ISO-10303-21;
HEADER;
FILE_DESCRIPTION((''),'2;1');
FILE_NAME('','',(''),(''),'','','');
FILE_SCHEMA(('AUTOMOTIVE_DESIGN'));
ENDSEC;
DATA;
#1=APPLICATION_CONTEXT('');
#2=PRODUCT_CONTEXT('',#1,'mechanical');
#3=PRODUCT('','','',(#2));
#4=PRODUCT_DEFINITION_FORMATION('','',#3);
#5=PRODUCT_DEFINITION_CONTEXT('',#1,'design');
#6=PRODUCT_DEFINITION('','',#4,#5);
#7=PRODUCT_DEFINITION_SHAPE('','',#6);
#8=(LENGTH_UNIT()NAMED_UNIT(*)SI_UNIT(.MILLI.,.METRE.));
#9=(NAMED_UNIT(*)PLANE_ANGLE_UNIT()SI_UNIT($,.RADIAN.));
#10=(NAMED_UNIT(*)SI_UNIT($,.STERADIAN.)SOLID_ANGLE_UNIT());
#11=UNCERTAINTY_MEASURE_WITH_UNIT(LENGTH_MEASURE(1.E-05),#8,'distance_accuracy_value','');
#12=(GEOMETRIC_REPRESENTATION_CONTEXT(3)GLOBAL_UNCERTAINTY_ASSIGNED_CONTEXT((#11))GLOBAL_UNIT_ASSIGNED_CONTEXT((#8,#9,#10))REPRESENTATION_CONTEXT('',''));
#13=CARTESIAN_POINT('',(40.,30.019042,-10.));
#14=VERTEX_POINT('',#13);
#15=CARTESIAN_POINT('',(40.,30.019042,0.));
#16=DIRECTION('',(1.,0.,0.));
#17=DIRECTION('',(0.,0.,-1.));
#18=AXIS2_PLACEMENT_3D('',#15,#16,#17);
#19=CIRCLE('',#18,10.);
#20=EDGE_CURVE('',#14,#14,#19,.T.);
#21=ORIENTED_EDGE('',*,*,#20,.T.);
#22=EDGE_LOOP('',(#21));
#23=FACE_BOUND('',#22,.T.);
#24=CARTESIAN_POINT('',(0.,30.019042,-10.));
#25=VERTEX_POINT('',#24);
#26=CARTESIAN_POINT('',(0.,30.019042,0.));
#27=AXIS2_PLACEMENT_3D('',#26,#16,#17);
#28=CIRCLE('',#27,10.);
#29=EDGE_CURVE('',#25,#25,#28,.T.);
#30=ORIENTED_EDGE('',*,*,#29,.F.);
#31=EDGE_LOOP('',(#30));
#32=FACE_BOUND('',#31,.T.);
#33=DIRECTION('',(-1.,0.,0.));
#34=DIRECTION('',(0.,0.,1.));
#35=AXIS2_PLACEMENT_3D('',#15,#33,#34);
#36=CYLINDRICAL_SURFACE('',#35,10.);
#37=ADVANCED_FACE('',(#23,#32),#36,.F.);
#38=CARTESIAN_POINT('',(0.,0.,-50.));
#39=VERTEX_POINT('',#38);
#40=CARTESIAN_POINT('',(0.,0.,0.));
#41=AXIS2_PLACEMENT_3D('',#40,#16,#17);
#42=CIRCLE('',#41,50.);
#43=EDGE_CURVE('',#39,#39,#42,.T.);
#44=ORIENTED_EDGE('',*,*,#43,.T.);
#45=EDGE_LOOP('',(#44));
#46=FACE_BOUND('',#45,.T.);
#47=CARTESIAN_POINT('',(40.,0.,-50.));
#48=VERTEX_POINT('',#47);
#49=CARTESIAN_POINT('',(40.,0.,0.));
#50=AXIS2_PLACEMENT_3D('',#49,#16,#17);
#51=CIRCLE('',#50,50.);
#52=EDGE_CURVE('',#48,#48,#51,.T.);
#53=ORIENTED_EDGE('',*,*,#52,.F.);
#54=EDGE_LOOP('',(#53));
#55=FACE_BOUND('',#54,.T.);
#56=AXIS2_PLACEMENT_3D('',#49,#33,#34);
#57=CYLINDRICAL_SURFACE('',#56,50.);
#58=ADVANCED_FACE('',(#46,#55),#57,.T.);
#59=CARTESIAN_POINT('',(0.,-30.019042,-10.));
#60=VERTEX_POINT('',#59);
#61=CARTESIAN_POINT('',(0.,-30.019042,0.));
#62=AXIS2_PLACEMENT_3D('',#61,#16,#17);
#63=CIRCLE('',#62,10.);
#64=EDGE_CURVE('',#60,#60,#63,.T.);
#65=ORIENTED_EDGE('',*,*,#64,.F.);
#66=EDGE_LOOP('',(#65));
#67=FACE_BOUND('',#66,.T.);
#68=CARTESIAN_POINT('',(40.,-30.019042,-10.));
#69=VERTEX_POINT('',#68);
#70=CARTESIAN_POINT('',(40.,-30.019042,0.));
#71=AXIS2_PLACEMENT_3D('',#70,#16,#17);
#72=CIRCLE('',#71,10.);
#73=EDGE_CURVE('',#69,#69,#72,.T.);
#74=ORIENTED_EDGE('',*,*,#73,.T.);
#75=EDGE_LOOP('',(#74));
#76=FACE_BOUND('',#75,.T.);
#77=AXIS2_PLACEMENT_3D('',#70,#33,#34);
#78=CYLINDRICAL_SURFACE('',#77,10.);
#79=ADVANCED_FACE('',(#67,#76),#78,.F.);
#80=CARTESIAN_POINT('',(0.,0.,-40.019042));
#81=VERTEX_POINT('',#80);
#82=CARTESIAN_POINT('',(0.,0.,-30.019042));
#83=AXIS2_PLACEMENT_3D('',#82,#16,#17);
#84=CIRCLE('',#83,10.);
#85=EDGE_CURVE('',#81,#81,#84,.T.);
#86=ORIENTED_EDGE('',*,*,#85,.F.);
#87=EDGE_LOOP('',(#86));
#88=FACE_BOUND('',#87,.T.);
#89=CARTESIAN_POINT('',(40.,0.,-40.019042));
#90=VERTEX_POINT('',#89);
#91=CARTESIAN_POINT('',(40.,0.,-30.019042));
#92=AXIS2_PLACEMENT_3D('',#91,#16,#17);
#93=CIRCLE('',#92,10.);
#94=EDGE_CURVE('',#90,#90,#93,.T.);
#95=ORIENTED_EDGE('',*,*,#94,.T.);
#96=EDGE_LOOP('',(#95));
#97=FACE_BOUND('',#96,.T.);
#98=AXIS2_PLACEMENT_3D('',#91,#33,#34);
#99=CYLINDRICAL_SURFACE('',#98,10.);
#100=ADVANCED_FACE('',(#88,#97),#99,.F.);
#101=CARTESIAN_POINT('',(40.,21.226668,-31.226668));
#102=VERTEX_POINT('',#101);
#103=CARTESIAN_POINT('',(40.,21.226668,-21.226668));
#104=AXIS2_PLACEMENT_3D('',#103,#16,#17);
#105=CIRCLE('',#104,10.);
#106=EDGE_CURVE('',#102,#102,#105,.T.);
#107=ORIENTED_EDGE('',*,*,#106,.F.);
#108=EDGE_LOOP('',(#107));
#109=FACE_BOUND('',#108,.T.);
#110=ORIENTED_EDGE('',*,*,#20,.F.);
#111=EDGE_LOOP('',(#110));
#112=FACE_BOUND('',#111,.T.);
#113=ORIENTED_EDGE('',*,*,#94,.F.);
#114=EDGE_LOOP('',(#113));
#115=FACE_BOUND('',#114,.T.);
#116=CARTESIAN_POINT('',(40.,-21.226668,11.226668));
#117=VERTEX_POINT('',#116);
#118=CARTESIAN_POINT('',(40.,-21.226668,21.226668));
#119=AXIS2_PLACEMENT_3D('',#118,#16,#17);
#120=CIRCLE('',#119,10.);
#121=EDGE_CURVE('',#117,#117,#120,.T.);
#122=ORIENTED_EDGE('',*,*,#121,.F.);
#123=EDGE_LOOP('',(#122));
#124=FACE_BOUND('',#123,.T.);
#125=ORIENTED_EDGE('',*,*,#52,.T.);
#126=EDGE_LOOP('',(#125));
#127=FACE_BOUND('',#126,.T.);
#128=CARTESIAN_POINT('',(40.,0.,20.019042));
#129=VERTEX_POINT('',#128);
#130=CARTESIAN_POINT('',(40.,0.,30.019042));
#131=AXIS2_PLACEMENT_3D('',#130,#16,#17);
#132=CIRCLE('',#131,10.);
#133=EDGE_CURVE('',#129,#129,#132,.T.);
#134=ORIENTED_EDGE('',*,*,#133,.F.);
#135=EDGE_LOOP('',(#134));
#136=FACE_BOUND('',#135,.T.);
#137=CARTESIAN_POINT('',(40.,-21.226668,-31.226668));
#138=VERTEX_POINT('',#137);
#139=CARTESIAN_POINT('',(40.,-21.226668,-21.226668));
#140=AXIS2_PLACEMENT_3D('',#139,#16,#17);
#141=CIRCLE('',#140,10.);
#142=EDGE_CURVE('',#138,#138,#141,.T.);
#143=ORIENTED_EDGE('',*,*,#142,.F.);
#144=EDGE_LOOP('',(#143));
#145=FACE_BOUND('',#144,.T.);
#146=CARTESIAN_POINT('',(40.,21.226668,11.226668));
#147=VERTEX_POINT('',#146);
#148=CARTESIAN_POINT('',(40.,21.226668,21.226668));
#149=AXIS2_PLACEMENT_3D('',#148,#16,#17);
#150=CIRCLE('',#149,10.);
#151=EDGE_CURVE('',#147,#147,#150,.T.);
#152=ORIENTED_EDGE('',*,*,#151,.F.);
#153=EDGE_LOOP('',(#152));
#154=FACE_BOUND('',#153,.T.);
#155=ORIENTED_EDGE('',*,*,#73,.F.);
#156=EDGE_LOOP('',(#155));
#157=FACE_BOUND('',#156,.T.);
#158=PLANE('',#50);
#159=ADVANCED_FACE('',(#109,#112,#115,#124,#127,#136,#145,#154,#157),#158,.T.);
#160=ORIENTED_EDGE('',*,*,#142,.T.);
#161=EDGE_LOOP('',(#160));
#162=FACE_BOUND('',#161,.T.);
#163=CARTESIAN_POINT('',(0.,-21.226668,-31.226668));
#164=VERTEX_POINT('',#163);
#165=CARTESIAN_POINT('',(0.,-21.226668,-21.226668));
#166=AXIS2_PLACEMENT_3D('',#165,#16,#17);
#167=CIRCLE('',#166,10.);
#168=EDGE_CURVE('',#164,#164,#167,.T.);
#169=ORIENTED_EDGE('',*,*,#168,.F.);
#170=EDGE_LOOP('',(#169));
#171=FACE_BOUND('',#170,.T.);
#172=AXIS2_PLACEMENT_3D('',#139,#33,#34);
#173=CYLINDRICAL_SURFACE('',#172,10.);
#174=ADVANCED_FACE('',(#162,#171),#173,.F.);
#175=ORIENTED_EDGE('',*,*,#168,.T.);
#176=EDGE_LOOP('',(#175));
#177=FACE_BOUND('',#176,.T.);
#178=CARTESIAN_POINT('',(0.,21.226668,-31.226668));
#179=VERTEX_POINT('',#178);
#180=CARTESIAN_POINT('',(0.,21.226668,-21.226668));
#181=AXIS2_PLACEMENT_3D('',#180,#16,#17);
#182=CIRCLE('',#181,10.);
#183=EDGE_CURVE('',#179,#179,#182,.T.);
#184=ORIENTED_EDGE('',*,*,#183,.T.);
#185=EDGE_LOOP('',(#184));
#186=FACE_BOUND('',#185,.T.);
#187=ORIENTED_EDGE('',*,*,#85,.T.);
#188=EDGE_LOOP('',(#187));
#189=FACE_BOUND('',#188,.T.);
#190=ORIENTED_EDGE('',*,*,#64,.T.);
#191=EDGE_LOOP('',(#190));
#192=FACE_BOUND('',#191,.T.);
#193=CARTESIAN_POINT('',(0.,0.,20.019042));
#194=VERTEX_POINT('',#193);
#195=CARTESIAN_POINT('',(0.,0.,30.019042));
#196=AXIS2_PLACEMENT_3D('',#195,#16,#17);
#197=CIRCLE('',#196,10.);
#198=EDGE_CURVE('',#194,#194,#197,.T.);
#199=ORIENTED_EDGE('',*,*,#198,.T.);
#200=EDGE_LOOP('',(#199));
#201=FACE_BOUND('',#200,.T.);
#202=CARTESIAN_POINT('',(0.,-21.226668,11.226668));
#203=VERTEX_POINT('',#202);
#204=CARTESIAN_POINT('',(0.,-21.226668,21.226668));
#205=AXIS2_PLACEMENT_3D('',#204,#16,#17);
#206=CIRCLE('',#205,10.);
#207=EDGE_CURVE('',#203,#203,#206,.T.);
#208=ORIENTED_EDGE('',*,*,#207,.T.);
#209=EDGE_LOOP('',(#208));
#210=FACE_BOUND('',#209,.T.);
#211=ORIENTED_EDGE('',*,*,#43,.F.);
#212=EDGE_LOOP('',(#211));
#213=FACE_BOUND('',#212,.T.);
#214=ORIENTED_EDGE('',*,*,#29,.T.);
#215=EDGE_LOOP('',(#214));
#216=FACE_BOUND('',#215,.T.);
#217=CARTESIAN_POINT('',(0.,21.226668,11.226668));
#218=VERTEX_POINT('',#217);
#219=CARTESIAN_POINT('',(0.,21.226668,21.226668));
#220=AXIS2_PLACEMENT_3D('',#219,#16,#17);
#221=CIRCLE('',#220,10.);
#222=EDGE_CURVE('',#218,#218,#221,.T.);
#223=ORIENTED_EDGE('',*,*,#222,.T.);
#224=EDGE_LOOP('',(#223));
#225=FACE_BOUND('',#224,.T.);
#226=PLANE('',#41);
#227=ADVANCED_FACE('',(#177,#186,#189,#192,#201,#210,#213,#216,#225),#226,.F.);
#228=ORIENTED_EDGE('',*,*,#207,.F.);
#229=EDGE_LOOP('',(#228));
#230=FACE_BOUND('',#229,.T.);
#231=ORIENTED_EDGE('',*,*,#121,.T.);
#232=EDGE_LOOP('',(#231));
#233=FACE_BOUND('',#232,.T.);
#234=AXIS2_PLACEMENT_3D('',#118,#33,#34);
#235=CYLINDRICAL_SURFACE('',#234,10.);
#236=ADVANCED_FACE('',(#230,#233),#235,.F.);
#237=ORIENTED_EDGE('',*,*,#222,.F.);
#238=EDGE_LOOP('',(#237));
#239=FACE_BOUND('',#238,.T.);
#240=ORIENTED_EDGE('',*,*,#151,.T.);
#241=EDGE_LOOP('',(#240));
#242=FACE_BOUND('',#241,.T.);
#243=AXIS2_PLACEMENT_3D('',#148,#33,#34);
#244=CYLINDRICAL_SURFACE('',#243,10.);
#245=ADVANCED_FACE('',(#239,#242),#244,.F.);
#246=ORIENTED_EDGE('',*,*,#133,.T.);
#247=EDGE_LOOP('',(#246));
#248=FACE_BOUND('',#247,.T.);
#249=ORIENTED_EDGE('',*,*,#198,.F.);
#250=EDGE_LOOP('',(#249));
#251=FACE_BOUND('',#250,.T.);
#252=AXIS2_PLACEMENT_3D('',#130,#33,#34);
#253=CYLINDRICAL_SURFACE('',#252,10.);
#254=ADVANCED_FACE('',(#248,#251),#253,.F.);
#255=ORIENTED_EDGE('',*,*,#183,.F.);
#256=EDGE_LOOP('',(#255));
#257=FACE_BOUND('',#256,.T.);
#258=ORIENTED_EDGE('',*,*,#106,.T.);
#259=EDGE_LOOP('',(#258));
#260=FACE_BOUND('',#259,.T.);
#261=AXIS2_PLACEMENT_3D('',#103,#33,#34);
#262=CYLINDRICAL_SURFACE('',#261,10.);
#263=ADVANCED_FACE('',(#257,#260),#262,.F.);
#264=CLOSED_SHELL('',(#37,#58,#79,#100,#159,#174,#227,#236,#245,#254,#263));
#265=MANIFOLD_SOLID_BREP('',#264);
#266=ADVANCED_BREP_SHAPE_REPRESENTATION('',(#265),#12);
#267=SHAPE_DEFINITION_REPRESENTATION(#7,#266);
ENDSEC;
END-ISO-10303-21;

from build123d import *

# Parameters (mm, degrees)
SKETCH1_R           = 50
SKETCH1_R_2         = 10
BOSS_EXTRUDE1_DEPTH = 40


with BuildPart() as part:
    # Sketch1 → Boss-Extrude1 (new body)
    with BuildSketch(Plane(origin=(0, 0, 0), x_dir=(0, 0, -1), z_dir=(1, 0, 0))):
        Circle(SKETCH1_R)
        with Locations((30.019042005, 0)):
            Circle(SKETCH1_R_2, mode=Mode.SUBTRACT)
        with Locations((21.226668166, -21.226668166)):
            Circle(SKETCH1_R_2, mode=Mode.SUBTRACT)
        with Locations((0, -30.019042005)):
            Circle(SKETCH1_R_2, mode=Mode.SUBTRACT)
        with Locations((-21.226668166, -21.226668166)):
            Circle(SKETCH1_R_2, mode=Mode.SUBTRACT)
        with Locations((-30.019042005, 0)):
            Circle(SKETCH1_R_2, mode=Mode.SUBTRACT)
        with Locations((-21.226668166, 21.226668166)):
            Circle(SKETCH1_R_2, mode=Mode.SUBTRACT)
        with Locations((0, 30.019042005)):
            Circle(SKETCH1_R_2, mode=Mode.SUBTRACT)
        with Locations((21.226668166, 21.226668166)):
            Circle(SKETCH1_R_2, mode=Mode.SUBTRACT)
    extrude(amount=BOSS_EXTRUDE1_DEPTH)


solid = part.part
